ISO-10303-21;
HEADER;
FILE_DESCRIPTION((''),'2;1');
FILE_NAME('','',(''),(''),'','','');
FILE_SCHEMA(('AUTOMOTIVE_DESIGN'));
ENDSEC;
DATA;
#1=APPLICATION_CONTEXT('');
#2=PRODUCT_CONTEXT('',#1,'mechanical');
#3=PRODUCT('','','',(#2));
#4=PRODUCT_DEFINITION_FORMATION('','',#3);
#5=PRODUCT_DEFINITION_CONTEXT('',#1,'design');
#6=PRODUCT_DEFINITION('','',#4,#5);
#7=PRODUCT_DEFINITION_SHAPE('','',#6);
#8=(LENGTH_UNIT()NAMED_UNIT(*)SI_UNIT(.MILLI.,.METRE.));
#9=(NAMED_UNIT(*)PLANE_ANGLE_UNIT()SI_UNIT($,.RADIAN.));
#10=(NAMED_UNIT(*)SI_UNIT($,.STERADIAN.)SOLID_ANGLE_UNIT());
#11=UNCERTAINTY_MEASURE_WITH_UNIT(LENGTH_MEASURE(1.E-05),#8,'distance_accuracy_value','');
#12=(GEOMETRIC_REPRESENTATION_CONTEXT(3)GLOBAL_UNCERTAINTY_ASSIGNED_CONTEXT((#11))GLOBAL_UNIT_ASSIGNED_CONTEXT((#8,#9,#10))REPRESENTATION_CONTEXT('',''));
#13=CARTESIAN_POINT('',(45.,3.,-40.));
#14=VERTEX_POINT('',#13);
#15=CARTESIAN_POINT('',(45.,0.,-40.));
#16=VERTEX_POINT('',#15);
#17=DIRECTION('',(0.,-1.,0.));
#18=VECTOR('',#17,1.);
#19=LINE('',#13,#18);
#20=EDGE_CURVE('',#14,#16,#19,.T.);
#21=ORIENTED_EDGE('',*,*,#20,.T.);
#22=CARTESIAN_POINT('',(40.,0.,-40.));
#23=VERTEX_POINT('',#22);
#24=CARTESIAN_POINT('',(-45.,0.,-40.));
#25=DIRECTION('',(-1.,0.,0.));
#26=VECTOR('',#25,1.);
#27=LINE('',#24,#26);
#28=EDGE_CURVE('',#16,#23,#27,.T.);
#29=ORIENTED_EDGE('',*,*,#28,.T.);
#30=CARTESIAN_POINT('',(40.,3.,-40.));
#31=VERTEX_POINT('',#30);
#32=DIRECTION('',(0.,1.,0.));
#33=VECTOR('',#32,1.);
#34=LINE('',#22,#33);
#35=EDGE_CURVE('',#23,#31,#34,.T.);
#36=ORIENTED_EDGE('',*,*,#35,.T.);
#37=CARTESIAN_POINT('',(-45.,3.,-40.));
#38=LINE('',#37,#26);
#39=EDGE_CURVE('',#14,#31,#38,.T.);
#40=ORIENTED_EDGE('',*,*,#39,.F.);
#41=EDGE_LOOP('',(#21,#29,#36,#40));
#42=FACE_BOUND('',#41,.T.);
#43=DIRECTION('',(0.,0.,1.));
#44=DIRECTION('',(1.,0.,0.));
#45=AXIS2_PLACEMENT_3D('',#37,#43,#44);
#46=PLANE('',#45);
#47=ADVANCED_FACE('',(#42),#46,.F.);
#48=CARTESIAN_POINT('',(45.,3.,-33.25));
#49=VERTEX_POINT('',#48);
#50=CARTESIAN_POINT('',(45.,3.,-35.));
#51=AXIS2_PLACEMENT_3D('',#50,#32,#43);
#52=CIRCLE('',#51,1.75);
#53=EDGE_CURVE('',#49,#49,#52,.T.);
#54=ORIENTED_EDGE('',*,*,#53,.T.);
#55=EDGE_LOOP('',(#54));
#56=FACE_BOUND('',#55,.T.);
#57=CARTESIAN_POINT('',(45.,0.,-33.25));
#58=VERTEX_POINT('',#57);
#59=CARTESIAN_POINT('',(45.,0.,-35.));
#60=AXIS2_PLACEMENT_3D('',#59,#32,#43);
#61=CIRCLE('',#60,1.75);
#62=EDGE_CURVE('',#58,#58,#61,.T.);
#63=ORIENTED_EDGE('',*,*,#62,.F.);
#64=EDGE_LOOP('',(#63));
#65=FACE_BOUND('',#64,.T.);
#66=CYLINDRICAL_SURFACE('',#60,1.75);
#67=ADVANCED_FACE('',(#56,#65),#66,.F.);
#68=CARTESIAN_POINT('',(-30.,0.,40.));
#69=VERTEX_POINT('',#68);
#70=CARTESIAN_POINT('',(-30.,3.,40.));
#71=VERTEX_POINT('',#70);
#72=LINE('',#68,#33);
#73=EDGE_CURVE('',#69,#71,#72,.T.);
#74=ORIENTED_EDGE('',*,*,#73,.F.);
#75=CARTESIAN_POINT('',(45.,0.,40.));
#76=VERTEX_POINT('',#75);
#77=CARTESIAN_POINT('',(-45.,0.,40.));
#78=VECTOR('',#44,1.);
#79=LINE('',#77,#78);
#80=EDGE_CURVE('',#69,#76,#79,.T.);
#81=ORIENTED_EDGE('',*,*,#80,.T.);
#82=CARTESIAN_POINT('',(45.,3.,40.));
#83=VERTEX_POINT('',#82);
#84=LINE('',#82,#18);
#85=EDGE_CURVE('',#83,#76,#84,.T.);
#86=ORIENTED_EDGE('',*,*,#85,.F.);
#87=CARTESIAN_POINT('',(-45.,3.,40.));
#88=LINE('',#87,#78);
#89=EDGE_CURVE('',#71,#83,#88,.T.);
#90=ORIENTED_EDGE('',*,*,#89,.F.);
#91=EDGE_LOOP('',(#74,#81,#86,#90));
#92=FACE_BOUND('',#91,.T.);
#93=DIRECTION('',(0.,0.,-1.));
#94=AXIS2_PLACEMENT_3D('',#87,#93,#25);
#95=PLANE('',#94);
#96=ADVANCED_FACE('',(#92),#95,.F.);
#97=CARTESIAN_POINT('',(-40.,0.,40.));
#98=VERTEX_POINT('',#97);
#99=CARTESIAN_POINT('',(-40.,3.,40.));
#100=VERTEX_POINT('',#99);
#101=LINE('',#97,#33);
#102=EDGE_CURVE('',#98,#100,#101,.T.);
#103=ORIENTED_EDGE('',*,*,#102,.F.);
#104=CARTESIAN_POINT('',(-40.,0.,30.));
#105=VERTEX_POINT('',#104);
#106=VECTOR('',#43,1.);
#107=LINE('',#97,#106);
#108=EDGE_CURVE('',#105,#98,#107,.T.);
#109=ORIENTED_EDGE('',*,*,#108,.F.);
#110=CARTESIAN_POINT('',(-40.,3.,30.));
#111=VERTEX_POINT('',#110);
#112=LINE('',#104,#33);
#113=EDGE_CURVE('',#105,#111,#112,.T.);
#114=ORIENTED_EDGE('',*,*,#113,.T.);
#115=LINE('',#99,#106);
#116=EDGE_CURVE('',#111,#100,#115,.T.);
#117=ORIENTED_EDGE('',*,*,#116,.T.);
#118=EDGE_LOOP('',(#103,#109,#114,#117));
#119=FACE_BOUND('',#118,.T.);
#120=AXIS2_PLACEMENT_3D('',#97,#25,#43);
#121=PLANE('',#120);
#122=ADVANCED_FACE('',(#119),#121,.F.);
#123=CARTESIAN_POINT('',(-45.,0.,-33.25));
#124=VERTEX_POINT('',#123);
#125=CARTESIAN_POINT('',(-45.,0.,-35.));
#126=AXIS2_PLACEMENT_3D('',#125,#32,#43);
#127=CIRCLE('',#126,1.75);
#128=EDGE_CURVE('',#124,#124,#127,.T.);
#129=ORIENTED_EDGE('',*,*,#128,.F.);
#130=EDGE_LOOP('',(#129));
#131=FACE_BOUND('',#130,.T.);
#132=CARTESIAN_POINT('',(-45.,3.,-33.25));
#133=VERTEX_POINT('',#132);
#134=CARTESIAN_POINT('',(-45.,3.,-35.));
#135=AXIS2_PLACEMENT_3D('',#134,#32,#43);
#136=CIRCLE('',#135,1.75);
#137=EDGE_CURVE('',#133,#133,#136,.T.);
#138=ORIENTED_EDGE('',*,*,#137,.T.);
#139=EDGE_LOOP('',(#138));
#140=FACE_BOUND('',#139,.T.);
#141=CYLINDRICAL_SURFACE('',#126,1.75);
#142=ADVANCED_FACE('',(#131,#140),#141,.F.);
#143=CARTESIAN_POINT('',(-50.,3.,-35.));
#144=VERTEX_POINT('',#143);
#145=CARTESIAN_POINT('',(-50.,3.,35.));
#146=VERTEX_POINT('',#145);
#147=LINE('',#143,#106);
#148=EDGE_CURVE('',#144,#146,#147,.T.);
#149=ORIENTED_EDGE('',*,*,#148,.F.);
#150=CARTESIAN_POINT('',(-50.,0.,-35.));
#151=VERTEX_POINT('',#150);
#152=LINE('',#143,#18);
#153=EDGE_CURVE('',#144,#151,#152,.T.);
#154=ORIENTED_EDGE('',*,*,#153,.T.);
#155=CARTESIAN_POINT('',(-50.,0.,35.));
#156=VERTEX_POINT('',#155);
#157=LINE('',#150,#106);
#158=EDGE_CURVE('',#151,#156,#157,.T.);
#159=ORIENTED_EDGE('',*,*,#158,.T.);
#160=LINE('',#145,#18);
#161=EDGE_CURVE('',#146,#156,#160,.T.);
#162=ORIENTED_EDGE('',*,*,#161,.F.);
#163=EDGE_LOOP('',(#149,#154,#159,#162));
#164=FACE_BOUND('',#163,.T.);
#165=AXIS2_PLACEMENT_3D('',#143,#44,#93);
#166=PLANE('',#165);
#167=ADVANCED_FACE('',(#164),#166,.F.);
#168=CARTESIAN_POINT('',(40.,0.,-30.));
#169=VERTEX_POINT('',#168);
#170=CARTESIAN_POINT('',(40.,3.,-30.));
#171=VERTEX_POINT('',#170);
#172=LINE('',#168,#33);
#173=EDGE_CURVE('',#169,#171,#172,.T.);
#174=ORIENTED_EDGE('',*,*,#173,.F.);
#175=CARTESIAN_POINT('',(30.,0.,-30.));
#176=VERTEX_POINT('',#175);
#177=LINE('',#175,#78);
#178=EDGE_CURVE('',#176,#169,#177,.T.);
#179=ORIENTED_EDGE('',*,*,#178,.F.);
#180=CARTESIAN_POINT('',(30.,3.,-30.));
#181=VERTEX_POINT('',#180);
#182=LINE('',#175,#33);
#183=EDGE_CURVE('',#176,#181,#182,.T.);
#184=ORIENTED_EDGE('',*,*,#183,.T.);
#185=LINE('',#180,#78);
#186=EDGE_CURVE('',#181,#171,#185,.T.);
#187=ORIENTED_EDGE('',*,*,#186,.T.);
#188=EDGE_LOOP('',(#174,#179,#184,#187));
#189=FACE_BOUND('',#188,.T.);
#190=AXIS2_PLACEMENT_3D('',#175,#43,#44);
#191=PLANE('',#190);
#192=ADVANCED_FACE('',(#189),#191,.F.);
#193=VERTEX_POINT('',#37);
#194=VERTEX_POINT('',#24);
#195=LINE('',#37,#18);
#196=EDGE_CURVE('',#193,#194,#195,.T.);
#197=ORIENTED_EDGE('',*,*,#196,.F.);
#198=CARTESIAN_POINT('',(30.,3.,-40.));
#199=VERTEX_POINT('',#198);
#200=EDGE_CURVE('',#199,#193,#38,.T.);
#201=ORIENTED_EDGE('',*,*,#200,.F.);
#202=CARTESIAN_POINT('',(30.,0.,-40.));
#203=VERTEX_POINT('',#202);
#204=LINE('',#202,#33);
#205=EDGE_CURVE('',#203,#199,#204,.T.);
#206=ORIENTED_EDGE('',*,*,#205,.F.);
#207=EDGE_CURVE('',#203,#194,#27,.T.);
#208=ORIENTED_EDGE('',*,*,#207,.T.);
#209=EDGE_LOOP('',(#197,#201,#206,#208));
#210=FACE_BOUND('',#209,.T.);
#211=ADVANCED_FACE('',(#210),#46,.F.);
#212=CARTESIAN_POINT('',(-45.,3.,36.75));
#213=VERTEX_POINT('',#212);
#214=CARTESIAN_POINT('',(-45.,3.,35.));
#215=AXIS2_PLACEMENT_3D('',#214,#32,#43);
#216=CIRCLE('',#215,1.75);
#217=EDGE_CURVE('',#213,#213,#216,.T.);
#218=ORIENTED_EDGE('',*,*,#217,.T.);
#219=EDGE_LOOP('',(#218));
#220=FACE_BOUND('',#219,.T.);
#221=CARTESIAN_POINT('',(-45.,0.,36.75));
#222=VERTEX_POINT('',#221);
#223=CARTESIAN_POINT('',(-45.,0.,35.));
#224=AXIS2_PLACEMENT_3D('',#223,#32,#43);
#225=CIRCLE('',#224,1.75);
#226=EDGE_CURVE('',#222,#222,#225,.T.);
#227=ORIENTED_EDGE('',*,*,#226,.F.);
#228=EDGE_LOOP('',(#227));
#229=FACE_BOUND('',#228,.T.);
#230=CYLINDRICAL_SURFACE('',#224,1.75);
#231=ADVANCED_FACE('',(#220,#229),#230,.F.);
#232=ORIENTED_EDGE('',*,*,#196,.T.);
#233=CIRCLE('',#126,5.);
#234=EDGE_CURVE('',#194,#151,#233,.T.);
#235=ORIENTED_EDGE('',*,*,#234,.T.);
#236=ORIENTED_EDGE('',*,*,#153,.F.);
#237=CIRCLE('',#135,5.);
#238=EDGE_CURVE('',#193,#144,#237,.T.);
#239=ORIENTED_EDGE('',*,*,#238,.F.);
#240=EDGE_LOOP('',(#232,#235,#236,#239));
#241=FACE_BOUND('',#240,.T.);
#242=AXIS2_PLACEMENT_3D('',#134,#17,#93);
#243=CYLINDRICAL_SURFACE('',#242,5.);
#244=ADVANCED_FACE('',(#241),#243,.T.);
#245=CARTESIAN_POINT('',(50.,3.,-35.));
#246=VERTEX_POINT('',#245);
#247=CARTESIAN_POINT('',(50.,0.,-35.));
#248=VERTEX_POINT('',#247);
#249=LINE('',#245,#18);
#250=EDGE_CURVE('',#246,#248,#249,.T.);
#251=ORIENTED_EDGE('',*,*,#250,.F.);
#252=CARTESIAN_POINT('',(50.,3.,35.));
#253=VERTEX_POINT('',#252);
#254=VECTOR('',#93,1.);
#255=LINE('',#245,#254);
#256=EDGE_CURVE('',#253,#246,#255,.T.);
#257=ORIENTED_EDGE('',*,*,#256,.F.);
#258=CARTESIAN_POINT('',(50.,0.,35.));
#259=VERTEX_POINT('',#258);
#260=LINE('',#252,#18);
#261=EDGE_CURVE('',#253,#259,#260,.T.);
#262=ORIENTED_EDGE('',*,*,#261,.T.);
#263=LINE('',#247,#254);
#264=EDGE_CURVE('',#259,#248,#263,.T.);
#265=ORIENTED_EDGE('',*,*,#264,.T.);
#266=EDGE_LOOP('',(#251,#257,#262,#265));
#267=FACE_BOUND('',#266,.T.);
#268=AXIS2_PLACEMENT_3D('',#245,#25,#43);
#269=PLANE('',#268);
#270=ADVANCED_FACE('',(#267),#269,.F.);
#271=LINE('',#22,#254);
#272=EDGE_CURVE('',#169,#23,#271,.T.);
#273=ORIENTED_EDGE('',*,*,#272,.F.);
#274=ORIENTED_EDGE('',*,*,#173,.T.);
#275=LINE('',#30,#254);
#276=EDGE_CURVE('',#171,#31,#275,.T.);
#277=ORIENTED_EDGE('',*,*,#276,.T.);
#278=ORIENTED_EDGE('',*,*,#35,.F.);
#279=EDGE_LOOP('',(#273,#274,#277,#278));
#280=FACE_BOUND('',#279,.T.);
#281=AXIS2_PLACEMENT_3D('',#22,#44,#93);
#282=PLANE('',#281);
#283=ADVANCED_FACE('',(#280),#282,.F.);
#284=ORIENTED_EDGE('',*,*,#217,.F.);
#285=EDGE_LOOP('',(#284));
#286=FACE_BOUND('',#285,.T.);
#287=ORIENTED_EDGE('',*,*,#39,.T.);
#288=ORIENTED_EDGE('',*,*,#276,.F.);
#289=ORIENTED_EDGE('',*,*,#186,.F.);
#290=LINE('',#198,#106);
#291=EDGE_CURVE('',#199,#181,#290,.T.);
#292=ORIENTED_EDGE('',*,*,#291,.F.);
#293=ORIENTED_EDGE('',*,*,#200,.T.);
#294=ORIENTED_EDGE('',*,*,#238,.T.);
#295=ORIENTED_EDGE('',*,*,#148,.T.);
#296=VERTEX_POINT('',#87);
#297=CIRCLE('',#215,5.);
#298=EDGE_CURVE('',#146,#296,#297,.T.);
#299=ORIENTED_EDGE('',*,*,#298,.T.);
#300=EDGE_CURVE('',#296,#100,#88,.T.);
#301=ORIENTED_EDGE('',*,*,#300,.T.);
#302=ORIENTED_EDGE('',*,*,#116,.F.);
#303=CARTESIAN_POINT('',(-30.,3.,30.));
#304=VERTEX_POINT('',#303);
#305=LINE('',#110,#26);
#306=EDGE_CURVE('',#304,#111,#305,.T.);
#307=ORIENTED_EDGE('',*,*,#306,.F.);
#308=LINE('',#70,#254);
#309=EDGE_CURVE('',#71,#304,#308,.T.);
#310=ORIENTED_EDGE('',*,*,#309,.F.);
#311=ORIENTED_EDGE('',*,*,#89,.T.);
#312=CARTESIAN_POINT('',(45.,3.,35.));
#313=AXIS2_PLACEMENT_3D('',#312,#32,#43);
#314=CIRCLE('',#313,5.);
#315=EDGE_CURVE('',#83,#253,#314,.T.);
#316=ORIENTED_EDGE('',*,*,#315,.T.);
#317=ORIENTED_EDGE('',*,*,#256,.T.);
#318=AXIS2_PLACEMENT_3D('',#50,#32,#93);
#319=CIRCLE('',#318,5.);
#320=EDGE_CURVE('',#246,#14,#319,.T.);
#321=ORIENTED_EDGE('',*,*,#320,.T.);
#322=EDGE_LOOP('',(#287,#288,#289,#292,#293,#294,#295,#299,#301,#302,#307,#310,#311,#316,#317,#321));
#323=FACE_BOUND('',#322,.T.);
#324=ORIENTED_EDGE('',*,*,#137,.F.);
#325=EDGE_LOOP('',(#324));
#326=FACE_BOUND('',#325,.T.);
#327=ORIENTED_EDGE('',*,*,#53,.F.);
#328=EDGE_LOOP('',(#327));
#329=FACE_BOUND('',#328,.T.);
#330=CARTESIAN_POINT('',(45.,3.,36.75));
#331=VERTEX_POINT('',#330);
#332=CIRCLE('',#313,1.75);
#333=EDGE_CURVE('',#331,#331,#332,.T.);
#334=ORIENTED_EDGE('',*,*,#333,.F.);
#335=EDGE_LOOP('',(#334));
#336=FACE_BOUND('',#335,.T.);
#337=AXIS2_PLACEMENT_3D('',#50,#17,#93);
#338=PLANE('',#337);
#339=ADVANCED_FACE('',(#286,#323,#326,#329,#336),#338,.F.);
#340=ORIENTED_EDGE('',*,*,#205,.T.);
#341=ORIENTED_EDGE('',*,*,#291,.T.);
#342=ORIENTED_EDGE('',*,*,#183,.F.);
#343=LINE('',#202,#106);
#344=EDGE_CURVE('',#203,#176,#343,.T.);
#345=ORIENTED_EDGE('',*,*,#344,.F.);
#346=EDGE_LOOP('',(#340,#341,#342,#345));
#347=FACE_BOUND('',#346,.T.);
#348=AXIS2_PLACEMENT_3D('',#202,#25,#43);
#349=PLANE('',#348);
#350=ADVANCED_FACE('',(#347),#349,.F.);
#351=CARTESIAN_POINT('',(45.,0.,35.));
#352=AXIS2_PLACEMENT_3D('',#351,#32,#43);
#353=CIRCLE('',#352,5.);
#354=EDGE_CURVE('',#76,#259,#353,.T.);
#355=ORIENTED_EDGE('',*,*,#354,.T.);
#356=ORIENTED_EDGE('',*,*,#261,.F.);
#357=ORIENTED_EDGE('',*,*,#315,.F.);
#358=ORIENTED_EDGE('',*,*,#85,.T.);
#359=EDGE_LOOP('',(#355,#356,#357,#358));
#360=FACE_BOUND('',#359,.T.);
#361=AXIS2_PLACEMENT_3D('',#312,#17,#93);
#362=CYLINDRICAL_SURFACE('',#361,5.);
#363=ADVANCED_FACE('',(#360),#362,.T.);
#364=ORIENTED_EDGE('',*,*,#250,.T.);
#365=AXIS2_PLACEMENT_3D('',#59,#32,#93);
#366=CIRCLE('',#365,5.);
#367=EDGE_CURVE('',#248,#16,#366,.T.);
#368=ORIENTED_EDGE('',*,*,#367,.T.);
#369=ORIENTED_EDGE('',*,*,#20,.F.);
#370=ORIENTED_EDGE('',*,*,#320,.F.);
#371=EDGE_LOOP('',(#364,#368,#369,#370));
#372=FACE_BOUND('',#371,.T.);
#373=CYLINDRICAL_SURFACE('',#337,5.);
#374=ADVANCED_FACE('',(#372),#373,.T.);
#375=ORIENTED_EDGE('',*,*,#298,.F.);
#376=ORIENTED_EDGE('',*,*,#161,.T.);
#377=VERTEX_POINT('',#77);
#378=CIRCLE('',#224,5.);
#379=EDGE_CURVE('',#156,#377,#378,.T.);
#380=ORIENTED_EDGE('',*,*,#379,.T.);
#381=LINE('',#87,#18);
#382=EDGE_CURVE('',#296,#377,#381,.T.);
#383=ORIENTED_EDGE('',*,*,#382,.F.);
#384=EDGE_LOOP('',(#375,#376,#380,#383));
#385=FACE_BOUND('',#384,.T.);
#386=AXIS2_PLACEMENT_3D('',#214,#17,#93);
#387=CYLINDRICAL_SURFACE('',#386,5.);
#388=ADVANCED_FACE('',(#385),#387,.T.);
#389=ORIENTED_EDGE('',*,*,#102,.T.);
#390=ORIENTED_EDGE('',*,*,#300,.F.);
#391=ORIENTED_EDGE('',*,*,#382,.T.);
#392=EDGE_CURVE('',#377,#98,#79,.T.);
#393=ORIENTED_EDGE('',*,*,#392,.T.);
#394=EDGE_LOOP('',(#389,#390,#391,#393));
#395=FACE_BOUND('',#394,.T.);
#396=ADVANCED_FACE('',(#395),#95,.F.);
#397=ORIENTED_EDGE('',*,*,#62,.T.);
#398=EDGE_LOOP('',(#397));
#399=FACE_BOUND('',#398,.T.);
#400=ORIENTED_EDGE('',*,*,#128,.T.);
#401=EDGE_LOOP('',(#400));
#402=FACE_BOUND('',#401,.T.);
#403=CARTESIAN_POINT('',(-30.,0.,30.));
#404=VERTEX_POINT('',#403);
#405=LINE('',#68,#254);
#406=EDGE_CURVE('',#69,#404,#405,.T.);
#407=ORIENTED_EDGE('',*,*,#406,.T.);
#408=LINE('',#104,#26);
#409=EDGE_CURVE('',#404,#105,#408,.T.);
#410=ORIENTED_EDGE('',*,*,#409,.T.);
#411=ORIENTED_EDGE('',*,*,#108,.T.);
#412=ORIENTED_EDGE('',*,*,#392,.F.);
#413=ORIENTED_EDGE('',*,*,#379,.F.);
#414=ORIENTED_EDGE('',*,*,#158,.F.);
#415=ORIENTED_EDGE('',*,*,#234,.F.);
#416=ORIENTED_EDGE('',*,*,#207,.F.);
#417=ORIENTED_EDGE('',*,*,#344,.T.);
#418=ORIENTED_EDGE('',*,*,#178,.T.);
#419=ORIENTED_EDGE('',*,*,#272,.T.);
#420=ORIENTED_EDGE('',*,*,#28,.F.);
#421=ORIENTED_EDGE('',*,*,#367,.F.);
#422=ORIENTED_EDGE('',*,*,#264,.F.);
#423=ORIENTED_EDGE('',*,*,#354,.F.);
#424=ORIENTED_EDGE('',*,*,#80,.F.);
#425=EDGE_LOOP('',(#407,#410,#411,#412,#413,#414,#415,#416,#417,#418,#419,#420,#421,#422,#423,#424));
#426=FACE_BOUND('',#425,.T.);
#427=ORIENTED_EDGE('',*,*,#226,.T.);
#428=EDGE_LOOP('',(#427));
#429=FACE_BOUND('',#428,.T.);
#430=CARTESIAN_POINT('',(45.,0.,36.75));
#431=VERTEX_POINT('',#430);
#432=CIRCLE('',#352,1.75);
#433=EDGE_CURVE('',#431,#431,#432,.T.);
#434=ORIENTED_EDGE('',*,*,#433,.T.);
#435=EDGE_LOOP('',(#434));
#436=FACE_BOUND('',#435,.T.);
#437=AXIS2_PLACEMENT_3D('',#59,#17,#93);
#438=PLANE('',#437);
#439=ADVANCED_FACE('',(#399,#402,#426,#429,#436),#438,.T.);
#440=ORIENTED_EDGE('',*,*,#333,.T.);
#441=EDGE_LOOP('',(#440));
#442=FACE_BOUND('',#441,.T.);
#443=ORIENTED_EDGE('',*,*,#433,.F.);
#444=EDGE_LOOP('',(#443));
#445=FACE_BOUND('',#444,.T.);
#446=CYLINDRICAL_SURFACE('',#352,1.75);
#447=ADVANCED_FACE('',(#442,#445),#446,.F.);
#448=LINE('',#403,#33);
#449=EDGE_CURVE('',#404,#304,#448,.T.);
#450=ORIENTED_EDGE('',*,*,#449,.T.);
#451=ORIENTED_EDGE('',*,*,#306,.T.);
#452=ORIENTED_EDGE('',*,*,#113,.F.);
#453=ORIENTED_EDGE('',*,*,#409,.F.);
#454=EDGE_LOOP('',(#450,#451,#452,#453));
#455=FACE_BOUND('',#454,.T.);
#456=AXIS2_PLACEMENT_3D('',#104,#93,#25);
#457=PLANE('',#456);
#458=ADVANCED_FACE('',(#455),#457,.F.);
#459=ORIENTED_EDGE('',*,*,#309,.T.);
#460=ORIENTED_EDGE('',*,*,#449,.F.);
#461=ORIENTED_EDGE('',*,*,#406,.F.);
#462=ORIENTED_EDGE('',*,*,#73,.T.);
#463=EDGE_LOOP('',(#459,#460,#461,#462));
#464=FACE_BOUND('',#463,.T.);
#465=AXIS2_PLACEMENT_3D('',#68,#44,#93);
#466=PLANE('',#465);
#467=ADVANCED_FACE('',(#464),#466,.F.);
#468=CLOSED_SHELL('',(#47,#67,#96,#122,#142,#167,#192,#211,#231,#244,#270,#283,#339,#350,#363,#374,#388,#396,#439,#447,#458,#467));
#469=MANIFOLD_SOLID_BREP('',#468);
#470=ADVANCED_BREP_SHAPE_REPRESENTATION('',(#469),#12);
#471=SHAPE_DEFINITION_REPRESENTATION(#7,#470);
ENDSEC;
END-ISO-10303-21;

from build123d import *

# Parameters (mm, degrees)
BOSS_EXTRUDE1_DEPTH  = 3
SKETCH3_R            = 1.75
CUT_EXTRUDE2_DEPTH   = 4
LPATTERN1_COUNT      = 2
LPATTERN1_PITCH      = 70
LPATTERN1_COUNT_DIR2 = 2
LPATTERN1_PITCH_DIR2 = 90
SKETCH5_W            = 10
SKETCH5_H            = 10
CUT_EXTRUDE4_DEPTH   = 4


with BuildPart() as part:
    # Sketch1 → Boss-Extrude1 (new body)
    with BuildSketch(Plane(origin=(0, 0, 0), x_dir=(1, 0, 0), z_dir=(0, 1, 0))):
        with BuildLine():
            Line((-45, 40), (45, 40))
            ThreePointArc((45, 40), (48.535533906, 38.535533906), (50, 35))
            Line((50, 35), (50, -35))
            ThreePointArc((50, -35), (48.535533906, -38.535533906), (45, -40))
            Line((45, -40), (-45, -40))
            ThreePointArc((-45, -40), (-48.535533906, -38.535533906), (-50, -35))
            Line((-50, -35), (-50, 35))
            ThreePointArc((-50, 35), (-48.535533906, 38.535533906), (-45, 40))
        make_face()
    extrude(amount=BOSS_EXTRUDE1_DEPTH)

    # Sketch3 → Cut-Extrude2 (cut, through all)
    with BuildSketch(Plane(origin=(0, 3, 0), x_dir=(1, 0, 0), z_dir=(0, 1, 0))):
        with Locations((-45, -35)):
            Circle(SKETCH3_R)
    cut_extrude2 = extrude(amount=-CUT_EXTRUDE2_DEPTH, mode=Mode.SUBTRACT)

    # LPattern1: Cut-Extrude2 2 × 2
    with Locations(*[(j * LPATTERN1_PITCH_DIR2, 0, -i * LPATTERN1_PITCH) for i in range(LPATTERN1_COUNT) for j in range(LPATTERN1_COUNT_DIR2) if (i, j) != (0, 0)]):
        add(cut_extrude2, mode=Mode.SUBTRACT)

    # Sketch5 → Cut-Extrude4 (cut, through all)
    with BuildSketch(Plane(origin=(0, 3, 0), x_dir=(1, 0, 0), z_dir=(0, 1, 0))):
        with Locations((-35, -35)):
            Rectangle(SKETCH5_W, SKETCH5_H)
        with Locations((35, 35)):
            Rectangle(SKETCH5_W, SKETCH5_H)
    extrude(amount=-CUT_EXTRUDE4_DEPTH, mode=Mode.SUBTRACT)


solid = part.part
